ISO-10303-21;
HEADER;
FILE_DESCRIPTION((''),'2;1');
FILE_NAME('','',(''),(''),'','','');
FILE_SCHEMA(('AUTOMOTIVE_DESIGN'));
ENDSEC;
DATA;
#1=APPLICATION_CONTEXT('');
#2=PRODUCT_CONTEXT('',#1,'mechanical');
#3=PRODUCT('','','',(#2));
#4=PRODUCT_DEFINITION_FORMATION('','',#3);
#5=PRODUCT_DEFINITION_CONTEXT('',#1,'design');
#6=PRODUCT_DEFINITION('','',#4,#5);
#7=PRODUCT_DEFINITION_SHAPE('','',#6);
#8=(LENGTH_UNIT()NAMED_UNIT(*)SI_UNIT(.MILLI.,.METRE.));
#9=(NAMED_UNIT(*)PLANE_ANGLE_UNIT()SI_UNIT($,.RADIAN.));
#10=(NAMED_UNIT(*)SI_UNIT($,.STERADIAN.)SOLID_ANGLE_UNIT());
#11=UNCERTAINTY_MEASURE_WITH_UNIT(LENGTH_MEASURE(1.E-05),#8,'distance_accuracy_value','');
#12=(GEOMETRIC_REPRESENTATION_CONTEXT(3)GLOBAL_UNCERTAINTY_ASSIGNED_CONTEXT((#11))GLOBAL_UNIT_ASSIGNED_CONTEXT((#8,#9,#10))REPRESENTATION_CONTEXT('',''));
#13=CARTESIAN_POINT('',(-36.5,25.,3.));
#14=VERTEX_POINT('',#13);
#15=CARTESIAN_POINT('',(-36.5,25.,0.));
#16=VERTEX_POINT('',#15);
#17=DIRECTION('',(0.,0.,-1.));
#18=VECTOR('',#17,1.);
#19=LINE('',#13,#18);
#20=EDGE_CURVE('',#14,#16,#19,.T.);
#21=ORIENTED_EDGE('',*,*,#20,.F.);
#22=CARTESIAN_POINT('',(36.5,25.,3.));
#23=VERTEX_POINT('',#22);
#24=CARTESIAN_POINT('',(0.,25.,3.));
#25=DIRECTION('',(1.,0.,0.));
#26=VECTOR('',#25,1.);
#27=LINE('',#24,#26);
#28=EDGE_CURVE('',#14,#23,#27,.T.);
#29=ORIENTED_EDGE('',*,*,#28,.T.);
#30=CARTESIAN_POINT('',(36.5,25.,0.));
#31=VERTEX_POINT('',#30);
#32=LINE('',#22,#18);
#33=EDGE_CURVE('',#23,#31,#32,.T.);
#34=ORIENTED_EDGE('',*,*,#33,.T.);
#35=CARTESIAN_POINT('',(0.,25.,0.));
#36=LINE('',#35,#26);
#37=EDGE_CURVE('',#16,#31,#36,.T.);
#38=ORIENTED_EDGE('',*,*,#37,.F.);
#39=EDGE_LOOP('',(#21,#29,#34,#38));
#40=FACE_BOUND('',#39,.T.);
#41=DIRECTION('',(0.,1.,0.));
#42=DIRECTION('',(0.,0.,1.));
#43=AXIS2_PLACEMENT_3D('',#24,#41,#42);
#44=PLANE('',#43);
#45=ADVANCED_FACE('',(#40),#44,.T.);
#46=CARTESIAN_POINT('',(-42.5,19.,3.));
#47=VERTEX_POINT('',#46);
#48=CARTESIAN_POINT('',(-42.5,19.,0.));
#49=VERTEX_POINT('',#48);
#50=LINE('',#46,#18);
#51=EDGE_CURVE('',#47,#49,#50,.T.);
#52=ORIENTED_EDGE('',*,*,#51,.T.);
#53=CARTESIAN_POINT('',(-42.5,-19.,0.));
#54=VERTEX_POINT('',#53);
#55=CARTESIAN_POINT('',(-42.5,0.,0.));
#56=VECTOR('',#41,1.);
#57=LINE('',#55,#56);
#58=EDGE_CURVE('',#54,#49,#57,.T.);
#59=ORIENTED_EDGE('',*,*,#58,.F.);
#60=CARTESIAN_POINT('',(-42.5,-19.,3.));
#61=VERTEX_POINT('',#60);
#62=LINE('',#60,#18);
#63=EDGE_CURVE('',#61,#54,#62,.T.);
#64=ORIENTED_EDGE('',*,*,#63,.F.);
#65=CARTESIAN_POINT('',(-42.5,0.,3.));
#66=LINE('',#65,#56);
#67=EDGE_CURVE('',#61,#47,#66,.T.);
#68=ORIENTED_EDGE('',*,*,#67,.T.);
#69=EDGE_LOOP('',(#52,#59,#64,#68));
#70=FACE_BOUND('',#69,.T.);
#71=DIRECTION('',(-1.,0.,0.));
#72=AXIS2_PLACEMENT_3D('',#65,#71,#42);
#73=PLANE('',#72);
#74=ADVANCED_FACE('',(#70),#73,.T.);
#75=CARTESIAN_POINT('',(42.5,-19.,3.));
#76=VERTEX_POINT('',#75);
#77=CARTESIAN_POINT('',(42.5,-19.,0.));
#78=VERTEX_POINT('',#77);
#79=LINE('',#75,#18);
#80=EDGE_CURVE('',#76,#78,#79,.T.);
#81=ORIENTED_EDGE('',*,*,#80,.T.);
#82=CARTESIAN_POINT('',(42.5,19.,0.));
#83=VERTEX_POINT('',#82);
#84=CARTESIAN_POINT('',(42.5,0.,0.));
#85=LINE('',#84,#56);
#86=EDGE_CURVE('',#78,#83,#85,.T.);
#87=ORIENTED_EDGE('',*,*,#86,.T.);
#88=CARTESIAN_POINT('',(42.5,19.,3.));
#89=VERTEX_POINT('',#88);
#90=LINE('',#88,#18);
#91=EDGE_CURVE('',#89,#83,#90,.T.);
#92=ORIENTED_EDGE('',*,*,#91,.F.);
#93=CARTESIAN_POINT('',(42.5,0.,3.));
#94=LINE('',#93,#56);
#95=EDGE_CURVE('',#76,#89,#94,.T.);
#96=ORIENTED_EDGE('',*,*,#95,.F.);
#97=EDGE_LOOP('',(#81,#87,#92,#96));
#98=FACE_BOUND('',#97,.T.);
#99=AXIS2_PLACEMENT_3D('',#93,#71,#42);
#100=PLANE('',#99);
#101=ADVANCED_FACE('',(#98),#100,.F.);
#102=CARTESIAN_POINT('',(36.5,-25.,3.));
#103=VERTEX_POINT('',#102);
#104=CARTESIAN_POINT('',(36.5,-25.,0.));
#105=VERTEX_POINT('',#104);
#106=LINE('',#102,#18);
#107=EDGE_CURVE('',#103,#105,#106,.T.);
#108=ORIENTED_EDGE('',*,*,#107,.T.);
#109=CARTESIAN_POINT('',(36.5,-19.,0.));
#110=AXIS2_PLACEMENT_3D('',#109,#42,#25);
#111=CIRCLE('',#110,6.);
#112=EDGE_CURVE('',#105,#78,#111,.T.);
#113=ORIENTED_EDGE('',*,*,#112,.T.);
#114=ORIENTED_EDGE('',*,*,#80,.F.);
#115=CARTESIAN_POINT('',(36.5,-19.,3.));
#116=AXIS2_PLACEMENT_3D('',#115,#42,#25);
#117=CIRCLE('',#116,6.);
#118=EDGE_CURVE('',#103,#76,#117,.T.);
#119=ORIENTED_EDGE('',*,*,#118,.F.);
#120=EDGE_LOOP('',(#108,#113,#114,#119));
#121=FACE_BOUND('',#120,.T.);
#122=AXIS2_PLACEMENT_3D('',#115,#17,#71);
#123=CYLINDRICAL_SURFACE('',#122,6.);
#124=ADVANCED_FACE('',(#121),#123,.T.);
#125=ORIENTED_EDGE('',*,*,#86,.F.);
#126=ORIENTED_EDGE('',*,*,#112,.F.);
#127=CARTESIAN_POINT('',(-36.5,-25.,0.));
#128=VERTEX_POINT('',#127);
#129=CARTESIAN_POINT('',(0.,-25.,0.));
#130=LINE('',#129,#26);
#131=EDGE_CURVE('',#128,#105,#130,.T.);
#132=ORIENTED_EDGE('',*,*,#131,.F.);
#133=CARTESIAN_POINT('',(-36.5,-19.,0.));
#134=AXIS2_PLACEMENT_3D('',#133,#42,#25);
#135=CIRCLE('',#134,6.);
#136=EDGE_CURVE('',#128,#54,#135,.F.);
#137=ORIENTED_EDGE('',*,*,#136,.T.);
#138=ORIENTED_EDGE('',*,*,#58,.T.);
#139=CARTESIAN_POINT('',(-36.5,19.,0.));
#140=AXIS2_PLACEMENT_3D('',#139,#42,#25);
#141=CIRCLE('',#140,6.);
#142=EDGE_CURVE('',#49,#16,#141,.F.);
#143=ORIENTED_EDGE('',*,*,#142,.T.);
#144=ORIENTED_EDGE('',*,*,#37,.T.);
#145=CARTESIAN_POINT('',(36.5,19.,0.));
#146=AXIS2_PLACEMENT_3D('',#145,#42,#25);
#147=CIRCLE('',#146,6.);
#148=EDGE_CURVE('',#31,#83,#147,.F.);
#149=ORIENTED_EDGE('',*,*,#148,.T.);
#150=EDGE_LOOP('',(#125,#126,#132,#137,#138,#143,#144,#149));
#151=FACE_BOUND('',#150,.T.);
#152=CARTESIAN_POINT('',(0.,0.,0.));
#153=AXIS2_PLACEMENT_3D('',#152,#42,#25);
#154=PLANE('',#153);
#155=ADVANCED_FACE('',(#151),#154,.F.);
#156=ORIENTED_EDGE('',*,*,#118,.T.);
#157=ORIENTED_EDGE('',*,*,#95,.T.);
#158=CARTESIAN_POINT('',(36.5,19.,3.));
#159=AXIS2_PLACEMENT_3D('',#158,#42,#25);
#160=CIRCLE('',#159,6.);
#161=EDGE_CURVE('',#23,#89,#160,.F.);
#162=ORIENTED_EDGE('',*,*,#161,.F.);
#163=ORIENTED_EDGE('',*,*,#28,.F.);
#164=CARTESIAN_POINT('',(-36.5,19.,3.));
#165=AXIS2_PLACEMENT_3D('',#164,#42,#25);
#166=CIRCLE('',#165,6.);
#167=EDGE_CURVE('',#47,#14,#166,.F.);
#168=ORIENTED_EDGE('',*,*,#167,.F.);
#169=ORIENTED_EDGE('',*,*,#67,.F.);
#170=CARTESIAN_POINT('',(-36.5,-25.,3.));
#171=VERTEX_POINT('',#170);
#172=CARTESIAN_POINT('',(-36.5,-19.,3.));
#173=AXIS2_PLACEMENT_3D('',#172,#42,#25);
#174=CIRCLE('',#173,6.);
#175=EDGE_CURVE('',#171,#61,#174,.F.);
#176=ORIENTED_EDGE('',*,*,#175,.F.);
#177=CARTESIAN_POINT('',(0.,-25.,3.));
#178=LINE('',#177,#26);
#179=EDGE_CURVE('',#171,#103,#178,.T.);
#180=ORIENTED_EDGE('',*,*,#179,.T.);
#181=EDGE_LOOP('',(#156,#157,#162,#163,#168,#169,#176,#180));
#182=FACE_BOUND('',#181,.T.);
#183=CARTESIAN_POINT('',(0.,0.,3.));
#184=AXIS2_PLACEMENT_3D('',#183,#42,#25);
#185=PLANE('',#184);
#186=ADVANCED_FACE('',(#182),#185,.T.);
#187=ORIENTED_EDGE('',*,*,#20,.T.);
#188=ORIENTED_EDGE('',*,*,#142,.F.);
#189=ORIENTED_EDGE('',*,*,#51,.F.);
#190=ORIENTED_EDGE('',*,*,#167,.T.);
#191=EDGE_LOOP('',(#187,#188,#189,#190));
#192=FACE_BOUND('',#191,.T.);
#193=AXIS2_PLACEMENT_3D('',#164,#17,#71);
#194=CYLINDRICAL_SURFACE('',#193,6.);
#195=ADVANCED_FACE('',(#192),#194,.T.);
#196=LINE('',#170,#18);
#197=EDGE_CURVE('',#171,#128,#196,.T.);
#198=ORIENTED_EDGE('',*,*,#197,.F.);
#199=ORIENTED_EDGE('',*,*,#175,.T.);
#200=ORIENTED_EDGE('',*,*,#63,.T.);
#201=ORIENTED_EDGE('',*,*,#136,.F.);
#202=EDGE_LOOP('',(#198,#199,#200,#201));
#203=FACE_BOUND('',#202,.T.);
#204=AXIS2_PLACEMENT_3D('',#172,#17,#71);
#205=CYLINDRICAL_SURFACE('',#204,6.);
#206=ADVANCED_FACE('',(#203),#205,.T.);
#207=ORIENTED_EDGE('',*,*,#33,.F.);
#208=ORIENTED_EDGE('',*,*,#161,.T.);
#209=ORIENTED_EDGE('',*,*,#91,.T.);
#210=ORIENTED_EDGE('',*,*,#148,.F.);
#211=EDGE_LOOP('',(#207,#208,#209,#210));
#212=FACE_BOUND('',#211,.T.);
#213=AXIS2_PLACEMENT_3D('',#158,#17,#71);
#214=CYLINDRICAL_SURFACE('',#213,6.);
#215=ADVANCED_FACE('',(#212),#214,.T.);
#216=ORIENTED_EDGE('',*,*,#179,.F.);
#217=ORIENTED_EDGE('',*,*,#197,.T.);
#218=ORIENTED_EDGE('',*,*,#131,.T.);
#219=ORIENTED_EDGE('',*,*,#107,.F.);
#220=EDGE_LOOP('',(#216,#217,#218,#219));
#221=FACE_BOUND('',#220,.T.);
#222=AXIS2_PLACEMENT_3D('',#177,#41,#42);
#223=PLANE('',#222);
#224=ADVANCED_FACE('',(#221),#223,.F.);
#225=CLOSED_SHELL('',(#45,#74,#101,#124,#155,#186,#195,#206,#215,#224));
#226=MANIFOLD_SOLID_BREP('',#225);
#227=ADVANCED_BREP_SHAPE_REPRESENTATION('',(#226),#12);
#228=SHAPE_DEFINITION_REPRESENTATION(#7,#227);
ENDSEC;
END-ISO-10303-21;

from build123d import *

# Parameters (mm, degrees)
BOSS_EXTRUDE6_DEPTH = 3


with BuildPart() as part:
    # Sketch1 → Boss-Extrude6 (new body)
    with BuildSketch(Plane.XY):
        with BuildLine():
            Line((-36.5, -25), (36.5, -25))
            ThreePointArc((36.5, -25), (40.742640687, -23.242640687), (42.5, -19))
            Line((42.5, -19), (42.5, 19))
            ThreePointArc((42.5, 19), (40.742640687, 23.242640687), (36.5, 25))
            Line((36.5, 25), (-36.5, 25))
            ThreePointArc((-36.5, 25), (-40.742640687, 23.242640687), (-42.5, 19))
            Line((-42.5, 19), (-42.5, -19))
            ThreePointArc((-42.5, -19), (-40.742640687, -23.242640687), (-36.5, -25))
        make_face()
    extrude(amount=BOSS_EXTRUDE6_DEPTH)


solid = part.part
